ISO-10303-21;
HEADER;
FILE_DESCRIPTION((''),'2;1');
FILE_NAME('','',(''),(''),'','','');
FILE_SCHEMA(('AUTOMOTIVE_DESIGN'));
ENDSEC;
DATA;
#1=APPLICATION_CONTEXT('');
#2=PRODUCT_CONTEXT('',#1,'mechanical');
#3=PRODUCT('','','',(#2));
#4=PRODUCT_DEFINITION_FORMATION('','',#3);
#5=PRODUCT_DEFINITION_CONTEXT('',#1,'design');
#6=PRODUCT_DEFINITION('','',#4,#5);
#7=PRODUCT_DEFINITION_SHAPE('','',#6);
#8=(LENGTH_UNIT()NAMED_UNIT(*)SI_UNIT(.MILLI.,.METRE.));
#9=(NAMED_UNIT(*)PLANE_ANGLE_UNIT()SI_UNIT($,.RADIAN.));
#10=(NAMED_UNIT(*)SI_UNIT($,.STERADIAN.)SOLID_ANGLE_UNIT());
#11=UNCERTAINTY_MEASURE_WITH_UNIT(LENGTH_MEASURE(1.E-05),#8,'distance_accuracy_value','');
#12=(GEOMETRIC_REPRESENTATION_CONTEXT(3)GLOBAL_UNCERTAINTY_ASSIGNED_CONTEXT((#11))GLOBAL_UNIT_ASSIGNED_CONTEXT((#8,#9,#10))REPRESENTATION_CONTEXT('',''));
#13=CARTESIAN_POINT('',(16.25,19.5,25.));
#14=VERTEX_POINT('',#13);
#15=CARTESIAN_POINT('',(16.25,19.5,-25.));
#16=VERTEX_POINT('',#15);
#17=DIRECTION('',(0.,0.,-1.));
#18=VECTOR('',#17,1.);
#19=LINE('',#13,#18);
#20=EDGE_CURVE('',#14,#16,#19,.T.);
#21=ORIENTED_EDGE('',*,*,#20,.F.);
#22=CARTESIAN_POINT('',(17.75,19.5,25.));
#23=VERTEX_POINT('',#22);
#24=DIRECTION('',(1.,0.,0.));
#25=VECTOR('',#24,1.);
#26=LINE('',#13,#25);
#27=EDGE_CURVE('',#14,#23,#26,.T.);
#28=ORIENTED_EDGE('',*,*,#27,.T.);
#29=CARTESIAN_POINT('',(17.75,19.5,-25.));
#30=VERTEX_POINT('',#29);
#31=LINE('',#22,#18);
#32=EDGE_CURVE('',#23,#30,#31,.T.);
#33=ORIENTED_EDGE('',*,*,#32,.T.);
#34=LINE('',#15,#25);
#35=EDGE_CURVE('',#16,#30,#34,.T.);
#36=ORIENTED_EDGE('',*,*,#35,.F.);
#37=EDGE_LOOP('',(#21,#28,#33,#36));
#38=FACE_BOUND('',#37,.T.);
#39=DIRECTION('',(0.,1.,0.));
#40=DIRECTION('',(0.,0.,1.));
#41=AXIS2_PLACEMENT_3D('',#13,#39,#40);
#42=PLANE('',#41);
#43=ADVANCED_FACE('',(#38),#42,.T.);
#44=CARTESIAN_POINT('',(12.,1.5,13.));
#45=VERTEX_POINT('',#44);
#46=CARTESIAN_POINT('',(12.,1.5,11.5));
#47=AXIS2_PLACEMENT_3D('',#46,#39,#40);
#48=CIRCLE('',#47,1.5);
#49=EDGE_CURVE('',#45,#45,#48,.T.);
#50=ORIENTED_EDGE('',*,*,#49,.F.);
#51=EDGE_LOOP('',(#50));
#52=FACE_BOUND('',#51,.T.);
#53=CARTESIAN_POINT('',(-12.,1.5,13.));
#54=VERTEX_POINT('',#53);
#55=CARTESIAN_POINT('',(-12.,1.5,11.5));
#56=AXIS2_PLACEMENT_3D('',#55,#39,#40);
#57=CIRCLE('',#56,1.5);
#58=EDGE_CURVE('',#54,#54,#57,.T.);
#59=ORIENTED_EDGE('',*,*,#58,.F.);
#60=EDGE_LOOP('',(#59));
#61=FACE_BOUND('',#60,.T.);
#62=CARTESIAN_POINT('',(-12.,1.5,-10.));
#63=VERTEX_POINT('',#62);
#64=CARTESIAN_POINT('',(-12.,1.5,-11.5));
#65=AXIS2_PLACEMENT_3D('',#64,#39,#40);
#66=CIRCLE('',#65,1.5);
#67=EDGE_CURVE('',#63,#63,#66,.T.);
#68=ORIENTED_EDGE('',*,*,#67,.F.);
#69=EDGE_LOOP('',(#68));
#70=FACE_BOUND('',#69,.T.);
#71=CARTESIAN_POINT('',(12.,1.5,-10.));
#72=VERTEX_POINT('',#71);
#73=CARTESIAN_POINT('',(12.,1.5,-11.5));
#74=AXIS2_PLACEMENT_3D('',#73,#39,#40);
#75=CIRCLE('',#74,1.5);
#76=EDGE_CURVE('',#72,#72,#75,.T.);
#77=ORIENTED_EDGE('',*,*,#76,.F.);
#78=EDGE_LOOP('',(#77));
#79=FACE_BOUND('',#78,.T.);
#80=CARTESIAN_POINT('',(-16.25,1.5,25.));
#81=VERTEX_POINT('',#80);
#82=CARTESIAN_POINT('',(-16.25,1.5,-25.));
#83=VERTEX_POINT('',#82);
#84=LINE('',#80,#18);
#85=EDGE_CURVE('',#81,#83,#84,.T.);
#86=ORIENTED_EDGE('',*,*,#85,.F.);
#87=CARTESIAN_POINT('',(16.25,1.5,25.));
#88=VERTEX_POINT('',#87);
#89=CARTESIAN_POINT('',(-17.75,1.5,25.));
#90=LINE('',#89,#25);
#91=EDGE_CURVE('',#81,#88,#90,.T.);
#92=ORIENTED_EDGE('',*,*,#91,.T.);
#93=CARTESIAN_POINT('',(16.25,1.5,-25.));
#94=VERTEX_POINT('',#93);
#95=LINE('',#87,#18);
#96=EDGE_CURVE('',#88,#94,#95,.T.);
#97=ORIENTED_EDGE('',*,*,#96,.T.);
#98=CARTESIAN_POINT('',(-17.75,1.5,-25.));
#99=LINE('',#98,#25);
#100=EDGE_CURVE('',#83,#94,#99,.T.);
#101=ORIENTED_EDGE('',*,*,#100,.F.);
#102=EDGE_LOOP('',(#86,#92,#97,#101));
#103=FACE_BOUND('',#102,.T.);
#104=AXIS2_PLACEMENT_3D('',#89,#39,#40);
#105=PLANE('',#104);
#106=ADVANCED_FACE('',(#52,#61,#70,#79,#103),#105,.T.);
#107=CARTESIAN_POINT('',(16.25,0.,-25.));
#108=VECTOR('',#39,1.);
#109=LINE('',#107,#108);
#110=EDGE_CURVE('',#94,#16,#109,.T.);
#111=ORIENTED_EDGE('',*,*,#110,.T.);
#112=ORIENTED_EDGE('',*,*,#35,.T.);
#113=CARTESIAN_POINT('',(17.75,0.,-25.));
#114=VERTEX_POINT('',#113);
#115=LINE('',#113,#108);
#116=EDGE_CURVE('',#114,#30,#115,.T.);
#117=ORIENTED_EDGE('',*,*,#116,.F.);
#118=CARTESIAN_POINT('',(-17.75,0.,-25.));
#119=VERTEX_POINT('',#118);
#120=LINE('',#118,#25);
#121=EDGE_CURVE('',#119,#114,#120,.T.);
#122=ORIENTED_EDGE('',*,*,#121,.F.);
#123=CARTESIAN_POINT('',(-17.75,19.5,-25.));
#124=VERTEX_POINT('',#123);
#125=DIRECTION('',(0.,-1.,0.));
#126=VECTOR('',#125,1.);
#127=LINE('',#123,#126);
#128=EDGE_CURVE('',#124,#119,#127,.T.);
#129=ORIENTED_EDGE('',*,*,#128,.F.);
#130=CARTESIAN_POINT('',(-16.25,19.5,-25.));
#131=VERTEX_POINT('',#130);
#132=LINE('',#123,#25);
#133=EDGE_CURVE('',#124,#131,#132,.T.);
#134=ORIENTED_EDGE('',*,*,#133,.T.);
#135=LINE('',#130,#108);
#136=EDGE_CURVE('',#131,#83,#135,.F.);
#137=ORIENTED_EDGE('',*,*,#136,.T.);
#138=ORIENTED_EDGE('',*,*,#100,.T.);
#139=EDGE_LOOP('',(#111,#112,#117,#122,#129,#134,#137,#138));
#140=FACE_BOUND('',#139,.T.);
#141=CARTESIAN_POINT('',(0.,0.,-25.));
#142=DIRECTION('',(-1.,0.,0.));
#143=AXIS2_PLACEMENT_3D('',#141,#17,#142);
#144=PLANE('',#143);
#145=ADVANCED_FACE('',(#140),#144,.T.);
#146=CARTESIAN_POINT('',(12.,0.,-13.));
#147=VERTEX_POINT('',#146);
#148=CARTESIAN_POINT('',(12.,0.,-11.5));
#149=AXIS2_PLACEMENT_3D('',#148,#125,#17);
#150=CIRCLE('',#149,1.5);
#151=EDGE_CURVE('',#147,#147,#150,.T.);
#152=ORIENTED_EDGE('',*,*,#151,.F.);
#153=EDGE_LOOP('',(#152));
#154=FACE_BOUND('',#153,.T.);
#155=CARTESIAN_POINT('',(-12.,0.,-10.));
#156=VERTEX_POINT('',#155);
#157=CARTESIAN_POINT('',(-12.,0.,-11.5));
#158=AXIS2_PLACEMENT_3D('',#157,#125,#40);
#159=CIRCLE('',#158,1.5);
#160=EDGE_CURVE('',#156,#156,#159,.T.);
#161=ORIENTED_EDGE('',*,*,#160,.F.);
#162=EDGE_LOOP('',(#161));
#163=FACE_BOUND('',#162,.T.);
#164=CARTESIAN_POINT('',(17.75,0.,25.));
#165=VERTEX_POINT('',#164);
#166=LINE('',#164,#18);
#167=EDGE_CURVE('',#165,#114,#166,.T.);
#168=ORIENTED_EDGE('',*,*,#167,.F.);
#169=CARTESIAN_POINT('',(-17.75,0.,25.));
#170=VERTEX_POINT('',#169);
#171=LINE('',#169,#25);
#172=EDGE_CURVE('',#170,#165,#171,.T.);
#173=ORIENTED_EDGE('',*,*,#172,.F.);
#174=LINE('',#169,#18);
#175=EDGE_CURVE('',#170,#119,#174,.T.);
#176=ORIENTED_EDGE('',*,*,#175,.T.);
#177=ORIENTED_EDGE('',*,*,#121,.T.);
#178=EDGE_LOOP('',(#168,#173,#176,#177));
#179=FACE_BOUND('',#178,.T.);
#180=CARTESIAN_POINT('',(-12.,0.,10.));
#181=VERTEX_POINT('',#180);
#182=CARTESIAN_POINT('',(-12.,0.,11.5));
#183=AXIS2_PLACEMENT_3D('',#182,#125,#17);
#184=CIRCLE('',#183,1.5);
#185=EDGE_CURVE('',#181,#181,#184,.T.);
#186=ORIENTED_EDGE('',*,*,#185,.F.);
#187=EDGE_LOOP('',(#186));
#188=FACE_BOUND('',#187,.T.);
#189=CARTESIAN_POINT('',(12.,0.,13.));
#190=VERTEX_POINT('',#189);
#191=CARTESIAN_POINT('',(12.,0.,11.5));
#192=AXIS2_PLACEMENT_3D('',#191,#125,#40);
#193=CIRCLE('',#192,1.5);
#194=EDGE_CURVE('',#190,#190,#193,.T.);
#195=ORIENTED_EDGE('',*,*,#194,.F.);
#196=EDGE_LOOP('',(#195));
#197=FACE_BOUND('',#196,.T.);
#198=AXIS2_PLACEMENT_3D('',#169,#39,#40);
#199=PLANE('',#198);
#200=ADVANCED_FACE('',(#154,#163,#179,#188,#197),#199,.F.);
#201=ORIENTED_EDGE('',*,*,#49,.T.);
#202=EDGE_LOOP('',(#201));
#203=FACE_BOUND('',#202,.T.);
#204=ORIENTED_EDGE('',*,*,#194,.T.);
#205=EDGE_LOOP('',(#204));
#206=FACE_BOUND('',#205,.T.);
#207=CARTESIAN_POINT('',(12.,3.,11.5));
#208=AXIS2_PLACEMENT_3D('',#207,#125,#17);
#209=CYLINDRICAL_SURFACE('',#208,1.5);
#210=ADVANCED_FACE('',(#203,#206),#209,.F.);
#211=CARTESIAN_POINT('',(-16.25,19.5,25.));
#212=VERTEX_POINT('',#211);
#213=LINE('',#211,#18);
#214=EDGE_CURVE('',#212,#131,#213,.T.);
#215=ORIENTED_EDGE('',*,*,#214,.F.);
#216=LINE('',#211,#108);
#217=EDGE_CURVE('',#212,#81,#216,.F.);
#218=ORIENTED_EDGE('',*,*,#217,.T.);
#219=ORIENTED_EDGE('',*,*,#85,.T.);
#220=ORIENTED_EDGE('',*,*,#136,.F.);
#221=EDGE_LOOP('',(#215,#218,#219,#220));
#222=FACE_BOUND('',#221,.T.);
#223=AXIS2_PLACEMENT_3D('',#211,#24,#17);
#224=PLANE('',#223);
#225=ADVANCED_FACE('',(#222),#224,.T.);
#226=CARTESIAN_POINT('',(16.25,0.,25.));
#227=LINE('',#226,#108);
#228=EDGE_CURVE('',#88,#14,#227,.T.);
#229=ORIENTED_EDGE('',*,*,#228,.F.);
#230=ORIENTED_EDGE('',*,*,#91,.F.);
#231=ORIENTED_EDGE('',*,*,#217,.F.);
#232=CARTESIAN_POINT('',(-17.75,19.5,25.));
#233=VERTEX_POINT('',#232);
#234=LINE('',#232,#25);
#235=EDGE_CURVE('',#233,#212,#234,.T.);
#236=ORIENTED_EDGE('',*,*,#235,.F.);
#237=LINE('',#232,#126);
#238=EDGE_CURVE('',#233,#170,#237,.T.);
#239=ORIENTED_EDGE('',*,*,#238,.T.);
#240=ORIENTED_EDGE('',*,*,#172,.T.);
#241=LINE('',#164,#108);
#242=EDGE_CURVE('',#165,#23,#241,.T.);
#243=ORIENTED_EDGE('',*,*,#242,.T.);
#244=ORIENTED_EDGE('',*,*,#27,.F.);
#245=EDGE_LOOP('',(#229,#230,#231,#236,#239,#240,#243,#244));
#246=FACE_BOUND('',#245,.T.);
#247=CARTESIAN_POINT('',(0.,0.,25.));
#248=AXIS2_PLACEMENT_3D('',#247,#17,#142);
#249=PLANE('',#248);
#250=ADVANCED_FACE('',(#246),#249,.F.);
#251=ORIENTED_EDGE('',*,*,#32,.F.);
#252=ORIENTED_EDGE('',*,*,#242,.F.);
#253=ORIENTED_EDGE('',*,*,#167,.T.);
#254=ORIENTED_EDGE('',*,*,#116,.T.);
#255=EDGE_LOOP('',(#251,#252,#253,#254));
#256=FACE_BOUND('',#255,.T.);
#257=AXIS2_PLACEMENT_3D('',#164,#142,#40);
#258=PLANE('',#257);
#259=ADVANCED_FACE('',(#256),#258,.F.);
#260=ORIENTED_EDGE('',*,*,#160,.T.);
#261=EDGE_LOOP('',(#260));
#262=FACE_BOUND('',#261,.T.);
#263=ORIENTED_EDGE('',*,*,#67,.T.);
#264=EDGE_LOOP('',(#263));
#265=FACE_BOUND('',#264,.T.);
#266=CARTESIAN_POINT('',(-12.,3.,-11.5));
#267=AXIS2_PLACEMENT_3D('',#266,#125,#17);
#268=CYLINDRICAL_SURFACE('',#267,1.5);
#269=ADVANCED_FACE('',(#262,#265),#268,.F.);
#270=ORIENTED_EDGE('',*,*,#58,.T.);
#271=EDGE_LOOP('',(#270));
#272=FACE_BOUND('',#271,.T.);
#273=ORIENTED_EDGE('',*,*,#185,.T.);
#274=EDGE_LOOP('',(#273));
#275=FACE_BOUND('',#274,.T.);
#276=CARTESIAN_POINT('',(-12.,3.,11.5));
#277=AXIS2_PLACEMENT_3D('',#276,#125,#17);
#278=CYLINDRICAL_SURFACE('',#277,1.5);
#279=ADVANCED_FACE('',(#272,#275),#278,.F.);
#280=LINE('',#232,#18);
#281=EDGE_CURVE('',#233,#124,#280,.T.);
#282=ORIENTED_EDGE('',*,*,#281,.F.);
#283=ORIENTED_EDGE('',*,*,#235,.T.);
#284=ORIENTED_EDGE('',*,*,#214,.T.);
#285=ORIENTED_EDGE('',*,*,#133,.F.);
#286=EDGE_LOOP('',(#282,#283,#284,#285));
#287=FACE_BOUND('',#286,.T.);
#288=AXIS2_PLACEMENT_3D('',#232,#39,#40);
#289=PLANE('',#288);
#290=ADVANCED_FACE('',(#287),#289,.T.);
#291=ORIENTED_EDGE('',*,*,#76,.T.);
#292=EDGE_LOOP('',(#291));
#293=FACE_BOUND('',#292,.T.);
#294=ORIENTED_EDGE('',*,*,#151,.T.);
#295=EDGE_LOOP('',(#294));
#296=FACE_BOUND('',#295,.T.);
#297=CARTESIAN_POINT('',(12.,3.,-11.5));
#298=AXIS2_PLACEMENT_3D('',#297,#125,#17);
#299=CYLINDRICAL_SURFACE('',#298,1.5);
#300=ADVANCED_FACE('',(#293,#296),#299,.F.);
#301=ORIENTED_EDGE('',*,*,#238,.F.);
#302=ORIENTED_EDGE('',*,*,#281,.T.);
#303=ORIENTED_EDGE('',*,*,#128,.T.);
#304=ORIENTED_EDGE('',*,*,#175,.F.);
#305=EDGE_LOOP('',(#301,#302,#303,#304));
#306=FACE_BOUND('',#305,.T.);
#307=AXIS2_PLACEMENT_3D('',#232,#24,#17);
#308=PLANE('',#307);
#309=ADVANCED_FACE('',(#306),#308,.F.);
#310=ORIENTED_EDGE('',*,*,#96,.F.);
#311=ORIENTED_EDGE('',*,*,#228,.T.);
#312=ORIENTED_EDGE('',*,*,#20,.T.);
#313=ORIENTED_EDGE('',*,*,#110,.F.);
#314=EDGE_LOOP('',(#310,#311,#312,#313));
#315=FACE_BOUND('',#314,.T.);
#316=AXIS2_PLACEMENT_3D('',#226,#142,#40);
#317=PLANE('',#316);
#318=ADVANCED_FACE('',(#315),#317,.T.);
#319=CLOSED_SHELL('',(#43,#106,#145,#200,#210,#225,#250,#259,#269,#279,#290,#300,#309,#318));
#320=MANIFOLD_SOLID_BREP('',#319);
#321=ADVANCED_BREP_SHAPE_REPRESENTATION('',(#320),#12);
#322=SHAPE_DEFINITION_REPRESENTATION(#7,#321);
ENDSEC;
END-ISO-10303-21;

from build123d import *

# Parameters (mm, degrees)
EXTRU_MINCE1_DEPTH      = 25
ESQUISSE2_R             = 1.5
ENL_V_MAT_EXTRU_1_DEPTH = 3


with BuildPart() as part:
    # Esquisse1 → Extru.-Mince1 (new, symmetric)
    with BuildSketch(Plane.XY):
        Polygon((-17.75, 19.5), (-17.75, 0), (17.75, 0), (17.75, 19.5), (16.25, 19.5), (16.25, 1.5), (-16.25, 1.5), (-16.25, 19.5), align=None)
    extrude(amount=EXTRU_MINCE1_DEPTH, both=True)

    # Esquisse2 → Enlèv. mat.-Extru.1 (cut)
    with BuildSketch(Plane.XZ):
        with Locations(Location((-12, 11.5, 0), (0, 0, 270))):
            Circle(ESQUISSE2_R)
        with Locations(Location((-12, -11.5, 0), (0, 0, 90))):
            Circle(ESQUISSE2_R)
        with Locations(Location((12, -11.5, 0), (0, 0, 270))):
            Circle(ESQUISSE2_R)
        with Locations(Location((12, 11.5, 0), (0, 0, 90))):
            Circle(ESQUISSE2_R)
    extrude(amount=-ENL_V_MAT_EXTRU_1_DEPTH, mode=Mode.SUBTRACT)


solid = part.part
